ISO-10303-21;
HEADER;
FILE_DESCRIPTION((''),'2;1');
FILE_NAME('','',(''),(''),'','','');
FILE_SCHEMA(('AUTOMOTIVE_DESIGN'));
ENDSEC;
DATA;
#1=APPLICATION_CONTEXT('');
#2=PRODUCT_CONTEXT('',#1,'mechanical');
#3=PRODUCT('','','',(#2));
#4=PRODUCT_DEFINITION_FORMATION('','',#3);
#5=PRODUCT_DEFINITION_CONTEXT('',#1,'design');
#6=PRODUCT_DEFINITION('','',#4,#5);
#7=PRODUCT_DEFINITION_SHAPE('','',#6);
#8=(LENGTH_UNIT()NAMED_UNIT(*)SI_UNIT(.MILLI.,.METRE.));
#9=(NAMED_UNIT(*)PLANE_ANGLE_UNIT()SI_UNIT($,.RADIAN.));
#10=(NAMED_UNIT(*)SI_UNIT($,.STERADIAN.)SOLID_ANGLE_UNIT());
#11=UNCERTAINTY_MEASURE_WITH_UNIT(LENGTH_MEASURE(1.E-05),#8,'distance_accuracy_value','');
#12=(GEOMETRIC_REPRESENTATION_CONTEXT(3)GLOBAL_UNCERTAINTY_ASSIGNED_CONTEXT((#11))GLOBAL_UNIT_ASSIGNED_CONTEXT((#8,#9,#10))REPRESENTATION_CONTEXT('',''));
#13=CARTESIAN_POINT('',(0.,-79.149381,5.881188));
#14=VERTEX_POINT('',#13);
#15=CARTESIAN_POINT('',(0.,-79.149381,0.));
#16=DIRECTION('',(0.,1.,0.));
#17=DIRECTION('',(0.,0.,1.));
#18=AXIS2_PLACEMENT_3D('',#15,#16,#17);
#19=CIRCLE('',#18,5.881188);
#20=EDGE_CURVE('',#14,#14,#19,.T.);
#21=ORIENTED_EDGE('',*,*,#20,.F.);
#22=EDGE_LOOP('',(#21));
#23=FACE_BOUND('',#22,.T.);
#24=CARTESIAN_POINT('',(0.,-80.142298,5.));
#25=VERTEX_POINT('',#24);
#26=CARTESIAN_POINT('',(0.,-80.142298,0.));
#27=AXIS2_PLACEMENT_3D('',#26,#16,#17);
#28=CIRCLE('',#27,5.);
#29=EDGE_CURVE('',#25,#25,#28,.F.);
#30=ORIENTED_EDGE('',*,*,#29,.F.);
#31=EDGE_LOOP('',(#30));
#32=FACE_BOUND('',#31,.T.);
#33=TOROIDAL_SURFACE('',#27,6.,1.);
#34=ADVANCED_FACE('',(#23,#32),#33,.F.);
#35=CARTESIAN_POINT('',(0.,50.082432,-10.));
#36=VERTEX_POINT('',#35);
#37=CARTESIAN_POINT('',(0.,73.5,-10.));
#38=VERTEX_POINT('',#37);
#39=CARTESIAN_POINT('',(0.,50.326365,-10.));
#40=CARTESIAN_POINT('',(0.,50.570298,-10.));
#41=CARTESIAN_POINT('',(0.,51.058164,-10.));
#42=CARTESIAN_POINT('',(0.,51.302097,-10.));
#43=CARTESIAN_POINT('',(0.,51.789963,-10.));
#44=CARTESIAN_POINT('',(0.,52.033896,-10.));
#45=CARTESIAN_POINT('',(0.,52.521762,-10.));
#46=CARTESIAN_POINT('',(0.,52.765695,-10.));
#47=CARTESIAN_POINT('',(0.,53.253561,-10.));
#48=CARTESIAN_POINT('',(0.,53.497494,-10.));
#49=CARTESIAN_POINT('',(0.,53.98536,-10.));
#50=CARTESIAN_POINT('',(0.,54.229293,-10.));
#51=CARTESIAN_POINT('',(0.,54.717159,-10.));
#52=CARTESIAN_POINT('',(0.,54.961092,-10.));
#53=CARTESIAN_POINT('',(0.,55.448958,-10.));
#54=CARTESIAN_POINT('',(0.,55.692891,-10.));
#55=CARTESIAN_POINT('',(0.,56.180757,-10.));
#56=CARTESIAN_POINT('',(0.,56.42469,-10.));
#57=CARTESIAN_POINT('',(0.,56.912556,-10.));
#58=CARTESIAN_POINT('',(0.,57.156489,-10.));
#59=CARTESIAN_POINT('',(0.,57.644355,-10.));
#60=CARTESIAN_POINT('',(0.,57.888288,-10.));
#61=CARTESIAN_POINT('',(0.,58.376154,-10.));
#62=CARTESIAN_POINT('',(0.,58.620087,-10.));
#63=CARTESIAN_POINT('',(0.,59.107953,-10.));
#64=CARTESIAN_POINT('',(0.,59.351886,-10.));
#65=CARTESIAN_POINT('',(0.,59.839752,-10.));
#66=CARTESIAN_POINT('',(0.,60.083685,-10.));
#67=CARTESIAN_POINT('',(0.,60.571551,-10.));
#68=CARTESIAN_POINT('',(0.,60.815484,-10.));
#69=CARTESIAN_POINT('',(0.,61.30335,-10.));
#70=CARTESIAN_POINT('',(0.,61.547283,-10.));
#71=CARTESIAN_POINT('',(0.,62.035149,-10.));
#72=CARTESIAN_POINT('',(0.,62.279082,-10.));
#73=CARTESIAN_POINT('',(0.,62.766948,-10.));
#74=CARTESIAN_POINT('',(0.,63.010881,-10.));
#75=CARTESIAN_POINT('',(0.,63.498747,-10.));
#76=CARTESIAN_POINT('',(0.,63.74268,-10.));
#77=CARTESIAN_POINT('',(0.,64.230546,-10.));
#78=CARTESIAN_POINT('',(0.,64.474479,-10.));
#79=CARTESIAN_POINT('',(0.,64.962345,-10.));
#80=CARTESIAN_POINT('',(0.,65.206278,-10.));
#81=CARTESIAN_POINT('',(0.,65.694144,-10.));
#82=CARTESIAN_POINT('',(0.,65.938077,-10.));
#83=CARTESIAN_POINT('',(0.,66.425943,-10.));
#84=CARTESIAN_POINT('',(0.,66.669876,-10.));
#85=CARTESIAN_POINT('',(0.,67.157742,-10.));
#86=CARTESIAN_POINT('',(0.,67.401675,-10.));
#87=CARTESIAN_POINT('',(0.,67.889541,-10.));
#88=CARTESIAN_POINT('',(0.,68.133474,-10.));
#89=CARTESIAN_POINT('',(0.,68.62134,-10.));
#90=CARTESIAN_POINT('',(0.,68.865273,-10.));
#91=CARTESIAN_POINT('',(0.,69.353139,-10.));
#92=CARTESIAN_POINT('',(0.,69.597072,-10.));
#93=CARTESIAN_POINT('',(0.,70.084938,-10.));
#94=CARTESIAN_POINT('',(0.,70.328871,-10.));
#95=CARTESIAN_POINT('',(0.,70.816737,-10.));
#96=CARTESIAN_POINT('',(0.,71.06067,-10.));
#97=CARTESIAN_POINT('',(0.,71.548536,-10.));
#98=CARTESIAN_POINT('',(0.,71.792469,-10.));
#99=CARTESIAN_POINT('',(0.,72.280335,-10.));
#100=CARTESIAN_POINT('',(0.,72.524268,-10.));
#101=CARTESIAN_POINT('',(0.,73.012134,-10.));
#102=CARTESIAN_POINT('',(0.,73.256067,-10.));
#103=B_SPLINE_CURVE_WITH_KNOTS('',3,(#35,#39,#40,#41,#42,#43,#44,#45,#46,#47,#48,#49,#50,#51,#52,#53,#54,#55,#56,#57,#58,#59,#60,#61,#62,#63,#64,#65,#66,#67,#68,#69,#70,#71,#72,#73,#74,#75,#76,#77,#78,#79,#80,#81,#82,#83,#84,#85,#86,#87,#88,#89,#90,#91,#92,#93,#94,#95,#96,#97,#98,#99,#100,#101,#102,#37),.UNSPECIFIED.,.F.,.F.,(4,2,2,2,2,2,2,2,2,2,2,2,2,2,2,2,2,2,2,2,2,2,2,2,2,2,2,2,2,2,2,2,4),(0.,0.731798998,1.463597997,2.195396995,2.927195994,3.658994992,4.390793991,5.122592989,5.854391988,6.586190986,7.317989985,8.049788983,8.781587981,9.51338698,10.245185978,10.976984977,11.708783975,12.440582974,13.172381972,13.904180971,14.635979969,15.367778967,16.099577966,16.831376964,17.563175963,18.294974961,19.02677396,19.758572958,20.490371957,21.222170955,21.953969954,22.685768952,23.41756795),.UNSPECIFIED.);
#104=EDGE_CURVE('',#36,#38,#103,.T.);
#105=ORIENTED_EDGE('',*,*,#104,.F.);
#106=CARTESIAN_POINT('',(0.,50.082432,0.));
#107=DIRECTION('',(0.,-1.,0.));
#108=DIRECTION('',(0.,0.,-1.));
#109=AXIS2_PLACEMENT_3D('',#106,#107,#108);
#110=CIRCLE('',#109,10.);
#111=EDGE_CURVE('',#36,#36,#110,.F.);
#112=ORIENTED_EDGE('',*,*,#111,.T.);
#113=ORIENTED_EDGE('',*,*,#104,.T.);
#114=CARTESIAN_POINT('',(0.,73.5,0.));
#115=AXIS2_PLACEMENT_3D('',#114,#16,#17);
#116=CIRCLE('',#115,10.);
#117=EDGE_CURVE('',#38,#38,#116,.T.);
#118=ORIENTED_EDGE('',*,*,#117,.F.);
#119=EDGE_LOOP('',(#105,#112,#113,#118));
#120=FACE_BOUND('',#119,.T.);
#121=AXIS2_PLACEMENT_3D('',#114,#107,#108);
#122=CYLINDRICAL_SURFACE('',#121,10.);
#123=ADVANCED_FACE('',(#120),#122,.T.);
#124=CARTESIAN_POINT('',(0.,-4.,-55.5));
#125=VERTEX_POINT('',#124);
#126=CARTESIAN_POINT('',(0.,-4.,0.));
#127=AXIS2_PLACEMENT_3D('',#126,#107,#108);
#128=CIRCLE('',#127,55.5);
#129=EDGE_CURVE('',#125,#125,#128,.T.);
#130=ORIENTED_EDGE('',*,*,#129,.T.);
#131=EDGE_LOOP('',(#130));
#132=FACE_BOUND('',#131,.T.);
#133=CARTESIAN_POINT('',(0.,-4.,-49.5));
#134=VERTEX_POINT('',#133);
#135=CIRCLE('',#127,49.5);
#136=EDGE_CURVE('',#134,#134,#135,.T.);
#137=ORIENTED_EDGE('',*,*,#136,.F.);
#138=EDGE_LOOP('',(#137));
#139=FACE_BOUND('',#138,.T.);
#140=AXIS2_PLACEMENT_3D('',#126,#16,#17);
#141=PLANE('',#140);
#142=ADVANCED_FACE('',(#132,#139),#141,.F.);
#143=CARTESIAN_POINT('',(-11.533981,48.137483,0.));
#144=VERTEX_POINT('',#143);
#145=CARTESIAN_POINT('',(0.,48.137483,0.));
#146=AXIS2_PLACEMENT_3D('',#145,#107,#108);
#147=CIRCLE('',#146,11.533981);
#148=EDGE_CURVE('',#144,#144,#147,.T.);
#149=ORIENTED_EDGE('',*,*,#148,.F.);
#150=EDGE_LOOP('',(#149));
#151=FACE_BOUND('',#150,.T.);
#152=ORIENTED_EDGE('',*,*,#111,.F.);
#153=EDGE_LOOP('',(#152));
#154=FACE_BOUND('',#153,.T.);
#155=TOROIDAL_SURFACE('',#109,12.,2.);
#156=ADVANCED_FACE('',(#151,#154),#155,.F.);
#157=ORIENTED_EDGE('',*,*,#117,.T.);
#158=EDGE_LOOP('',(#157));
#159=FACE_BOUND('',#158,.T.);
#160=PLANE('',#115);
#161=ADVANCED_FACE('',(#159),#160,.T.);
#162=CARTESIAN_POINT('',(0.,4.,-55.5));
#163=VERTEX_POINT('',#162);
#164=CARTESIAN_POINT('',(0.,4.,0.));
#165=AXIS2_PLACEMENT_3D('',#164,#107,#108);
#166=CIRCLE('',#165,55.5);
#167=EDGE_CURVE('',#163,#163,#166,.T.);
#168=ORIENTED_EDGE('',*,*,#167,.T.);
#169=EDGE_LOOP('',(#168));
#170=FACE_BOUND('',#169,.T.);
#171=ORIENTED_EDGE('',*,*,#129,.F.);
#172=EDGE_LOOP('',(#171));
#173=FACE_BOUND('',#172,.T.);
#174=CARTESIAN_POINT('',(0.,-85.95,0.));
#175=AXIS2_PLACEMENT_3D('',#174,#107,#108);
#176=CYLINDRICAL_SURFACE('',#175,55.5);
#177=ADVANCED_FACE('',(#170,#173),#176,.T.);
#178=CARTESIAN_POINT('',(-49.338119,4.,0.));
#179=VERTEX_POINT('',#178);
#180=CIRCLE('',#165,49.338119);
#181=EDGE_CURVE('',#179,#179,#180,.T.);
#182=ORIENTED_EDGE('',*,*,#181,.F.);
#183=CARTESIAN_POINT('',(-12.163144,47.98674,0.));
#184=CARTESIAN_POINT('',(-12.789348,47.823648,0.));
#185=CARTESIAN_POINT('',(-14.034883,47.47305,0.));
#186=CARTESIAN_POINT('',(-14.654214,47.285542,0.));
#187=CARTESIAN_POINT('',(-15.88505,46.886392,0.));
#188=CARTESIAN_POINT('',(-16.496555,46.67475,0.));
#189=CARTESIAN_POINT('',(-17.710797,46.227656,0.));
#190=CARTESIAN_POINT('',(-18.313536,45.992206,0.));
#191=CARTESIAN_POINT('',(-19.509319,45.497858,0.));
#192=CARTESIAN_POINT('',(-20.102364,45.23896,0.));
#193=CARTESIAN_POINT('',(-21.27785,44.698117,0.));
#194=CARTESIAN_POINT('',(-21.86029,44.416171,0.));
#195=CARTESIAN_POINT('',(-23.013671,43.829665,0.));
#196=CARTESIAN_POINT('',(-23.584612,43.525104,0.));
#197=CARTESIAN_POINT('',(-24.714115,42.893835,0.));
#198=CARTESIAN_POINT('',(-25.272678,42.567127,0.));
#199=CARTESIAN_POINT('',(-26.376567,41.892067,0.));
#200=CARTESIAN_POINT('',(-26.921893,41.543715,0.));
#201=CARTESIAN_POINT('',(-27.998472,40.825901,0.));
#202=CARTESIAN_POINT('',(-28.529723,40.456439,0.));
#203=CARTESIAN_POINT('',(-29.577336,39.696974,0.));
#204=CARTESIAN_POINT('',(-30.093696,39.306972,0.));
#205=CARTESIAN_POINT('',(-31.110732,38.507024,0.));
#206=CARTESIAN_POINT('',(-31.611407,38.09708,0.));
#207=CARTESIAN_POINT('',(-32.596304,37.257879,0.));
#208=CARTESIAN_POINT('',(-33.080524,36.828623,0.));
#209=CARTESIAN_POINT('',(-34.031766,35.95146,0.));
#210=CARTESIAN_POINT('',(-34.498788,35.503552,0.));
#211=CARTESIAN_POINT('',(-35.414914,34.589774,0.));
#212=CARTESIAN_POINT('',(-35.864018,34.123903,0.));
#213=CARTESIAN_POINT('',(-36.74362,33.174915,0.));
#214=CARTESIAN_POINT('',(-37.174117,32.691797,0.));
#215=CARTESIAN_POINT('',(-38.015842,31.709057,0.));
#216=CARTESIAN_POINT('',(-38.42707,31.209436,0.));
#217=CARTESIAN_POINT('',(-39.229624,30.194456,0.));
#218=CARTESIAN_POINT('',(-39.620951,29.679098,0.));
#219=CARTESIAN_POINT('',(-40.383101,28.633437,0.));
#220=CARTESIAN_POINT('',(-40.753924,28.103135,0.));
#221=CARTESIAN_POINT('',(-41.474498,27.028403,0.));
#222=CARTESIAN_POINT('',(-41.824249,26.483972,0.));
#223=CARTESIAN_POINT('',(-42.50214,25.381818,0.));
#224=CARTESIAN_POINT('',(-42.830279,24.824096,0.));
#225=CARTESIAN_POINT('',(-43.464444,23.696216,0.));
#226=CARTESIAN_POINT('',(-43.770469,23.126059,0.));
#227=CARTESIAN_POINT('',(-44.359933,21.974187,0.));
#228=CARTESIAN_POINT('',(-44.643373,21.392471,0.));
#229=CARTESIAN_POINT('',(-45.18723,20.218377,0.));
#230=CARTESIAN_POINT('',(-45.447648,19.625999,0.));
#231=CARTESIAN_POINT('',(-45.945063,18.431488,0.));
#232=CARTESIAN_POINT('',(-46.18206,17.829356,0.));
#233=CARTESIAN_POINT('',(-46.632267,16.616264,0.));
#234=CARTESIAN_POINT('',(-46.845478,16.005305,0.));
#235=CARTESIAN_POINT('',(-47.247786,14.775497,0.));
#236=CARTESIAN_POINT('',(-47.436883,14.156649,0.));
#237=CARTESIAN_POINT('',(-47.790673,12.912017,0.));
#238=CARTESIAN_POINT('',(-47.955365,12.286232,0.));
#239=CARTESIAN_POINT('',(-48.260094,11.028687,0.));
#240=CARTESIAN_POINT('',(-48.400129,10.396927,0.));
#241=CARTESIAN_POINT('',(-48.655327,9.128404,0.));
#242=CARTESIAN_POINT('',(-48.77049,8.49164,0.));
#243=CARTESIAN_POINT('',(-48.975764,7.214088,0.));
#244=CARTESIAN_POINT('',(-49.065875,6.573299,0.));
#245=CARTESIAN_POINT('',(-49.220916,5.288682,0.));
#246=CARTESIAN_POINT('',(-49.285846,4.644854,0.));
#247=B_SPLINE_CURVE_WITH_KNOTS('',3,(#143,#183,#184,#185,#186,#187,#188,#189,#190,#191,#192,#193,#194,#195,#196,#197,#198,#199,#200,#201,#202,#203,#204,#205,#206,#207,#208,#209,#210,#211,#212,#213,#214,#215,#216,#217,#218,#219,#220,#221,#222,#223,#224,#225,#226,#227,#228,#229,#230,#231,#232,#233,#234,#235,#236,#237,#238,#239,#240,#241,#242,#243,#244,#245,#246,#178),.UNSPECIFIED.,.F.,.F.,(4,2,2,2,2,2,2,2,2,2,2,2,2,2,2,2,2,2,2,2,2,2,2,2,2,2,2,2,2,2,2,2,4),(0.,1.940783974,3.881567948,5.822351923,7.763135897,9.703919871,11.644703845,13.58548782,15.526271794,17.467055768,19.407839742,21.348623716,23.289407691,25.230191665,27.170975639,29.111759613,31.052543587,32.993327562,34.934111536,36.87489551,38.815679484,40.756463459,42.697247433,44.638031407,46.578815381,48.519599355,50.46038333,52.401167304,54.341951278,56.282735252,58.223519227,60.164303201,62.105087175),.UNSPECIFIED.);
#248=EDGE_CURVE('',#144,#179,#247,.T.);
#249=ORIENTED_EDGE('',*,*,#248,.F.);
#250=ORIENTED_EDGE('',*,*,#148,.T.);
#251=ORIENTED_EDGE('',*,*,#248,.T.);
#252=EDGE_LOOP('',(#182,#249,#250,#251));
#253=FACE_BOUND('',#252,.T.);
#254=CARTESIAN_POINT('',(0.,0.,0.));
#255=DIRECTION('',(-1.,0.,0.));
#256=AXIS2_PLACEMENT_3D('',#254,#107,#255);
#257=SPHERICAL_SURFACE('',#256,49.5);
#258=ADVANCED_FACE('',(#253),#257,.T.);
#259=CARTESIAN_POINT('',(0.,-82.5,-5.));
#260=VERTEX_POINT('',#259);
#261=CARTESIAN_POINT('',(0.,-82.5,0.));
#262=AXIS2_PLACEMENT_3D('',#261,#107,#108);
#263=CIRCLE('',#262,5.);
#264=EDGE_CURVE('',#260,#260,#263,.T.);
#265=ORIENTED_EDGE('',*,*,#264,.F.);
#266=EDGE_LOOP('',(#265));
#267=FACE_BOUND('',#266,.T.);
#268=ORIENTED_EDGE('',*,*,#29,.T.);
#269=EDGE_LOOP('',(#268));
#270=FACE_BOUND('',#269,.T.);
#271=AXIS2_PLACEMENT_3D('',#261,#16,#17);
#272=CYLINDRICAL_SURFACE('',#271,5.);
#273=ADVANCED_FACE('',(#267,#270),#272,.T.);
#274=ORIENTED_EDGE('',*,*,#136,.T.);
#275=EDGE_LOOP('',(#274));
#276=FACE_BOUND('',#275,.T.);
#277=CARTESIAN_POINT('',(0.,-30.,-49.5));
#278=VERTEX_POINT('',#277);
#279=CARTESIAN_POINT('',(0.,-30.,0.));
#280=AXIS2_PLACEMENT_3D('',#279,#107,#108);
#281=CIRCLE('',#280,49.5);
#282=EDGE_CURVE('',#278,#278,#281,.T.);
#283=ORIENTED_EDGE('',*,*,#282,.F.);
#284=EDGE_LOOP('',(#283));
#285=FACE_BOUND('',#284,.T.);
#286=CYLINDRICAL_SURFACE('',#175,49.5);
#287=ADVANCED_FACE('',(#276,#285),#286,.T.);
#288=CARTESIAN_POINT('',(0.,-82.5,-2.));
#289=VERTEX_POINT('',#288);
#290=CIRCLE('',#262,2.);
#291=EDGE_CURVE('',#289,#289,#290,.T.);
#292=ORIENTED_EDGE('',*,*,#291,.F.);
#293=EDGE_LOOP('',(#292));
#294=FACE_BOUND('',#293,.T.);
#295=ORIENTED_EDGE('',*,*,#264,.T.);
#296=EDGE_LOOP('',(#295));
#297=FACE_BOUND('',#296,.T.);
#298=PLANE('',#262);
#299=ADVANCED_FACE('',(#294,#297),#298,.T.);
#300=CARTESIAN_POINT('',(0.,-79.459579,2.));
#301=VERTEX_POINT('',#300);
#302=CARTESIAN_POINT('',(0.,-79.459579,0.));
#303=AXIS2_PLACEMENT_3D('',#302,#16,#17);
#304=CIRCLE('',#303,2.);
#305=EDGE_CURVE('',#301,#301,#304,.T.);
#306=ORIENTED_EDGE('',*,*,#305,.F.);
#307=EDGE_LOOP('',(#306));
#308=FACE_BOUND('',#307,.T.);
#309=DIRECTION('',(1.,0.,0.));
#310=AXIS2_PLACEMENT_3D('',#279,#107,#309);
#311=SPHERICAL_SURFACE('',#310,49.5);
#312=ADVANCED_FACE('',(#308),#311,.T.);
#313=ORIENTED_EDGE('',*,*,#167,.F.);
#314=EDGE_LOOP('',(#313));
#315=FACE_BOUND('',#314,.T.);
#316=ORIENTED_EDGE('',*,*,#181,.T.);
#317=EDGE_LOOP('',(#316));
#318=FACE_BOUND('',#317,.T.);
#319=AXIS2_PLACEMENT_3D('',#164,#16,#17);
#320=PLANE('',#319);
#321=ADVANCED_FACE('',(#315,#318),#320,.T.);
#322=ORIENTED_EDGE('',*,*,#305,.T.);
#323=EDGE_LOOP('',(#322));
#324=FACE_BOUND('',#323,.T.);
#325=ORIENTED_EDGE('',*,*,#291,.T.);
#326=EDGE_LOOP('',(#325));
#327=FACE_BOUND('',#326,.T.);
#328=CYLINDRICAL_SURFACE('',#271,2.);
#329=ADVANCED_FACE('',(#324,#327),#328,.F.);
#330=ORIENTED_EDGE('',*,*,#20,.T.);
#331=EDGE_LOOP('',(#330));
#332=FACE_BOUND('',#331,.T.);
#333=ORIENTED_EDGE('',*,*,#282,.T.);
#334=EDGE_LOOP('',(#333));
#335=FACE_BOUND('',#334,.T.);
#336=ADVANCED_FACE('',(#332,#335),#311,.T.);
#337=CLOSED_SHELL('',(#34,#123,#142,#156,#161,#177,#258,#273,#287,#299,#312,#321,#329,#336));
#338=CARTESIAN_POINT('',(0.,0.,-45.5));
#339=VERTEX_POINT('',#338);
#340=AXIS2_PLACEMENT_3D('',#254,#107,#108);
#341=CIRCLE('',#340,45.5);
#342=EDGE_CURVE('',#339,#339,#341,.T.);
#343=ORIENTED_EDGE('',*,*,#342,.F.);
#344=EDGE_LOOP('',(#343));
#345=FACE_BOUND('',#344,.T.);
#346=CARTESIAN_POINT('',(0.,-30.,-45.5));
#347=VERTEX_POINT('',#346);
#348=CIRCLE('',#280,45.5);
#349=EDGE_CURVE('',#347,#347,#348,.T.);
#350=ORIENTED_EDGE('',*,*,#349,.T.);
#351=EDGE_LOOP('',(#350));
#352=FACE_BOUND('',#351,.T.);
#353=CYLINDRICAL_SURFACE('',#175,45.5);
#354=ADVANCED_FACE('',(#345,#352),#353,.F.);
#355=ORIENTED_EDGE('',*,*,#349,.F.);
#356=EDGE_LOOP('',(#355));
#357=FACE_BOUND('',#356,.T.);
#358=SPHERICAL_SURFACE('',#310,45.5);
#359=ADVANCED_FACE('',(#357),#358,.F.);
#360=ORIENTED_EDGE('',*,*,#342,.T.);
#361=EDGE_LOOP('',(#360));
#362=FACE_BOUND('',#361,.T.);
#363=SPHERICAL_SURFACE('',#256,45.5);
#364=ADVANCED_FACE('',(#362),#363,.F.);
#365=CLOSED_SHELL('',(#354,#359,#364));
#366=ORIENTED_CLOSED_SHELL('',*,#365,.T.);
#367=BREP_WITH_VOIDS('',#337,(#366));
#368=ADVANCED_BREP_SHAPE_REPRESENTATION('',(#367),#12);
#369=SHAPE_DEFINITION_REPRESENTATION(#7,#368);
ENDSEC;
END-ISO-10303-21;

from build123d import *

# Parameters (mm, degrees)
SKETCH2_R           = 10
BOSS_EXTRUDE1_DEPTH = 26
SKETCH3_R           = 5
SKETCH3_R_2         = 2
BOSS_EXTRUDE2_DEPTH = 5
FILLET1_R           = 2
FILLET3_R           = 1


with BuildPart() as part:
    # Sketch1 → Revolve2 (revolve)
    with BuildSketch(Plane.XY, mode=Mode.PRIVATE) as revolve2_sk:
        with BuildLine():
            Line((-55.5, -4), (-49.5, -4))
            Line((-49.5, -4), (-49.5, -30))
            ThreePointArc((-49.5, -30), (-35.001785669, -65.001785669), (0, -79.5))
            Line((0, -79.5), (0, -75.5))
            ThreePointArc((0, -75.5), (-32.173358544, -62.173358544), (-45.5, -30))
            Line((-45.5, -30), (-45.5, 0))
            ThreePointArc((-45.5, 0), (-32.173358544, 32.173358544), (0, 45.5))
            Line((0, 45.5), (0, 49.5))
            ThreePointArc((0, 49.5), (-33.557785982, 36.388528412), (-49.338119137, 4))
            Line((-49.338119137, 4), (-55.5, 4))
            Line((-55.5, 4), (-55.5, 0))
            Line((-55.5, 0), (-55.5, -4))
        make_face()
    revolve(revolve2_sk.sketch.rotate(Axis((0, -85.95, 0), (0, 1, 0)), 270), axis=Axis((0, -85.95, 0), (0, 1, 0)))

    # Sketch2 → Boss-Extrude1 (add)
    with BuildSketch(Plane(origin=(0, 47.5, 0), x_dir=(1, 0, 0), z_dir=(0, 1, 0))):
        with Locations(Location((0, 0, 0), (0, 0, 180))):
            Circle(SKETCH2_R)
    extrude(amount=BOSS_EXTRUDE1_DEPTH)

    # Sketch3 → Boss-Extrude2 (add)
    with BuildSketch(Plane(origin=(0, -77.5, 0), x_dir=(-1, 0, 0), z_dir=(0, -1, 0))):
        with Locations(Location((0, 0, 0), (0, 0, 270))):
            Circle(SKETCH3_R)
        with Locations(Location((0, 0, 0), (0, 0, 270))):
            Circle(SKETCH3_R_2, mode=Mode.SUBTRACT)
    extrude(amount=BOSS_EXTRUDE2_DEPTH)

    # Fillet1
    fillet1_edges = [part.edges().sort_by_distance(p)[0] for p in [
        (7.071067812, 48.479377059, 7.071067812),
    ]]
    fillet(fillet1_edges, radius=FILLET1_R)

    # Fillet3
    fillet3_edges = [part.edges().sort_by_distance(p)[0] for p in [
        (-4.999999999, -79.246827309, 0),
    ]]
    fillet(fillet3_edges, radius=FILLET3_R)


solid = part.part
